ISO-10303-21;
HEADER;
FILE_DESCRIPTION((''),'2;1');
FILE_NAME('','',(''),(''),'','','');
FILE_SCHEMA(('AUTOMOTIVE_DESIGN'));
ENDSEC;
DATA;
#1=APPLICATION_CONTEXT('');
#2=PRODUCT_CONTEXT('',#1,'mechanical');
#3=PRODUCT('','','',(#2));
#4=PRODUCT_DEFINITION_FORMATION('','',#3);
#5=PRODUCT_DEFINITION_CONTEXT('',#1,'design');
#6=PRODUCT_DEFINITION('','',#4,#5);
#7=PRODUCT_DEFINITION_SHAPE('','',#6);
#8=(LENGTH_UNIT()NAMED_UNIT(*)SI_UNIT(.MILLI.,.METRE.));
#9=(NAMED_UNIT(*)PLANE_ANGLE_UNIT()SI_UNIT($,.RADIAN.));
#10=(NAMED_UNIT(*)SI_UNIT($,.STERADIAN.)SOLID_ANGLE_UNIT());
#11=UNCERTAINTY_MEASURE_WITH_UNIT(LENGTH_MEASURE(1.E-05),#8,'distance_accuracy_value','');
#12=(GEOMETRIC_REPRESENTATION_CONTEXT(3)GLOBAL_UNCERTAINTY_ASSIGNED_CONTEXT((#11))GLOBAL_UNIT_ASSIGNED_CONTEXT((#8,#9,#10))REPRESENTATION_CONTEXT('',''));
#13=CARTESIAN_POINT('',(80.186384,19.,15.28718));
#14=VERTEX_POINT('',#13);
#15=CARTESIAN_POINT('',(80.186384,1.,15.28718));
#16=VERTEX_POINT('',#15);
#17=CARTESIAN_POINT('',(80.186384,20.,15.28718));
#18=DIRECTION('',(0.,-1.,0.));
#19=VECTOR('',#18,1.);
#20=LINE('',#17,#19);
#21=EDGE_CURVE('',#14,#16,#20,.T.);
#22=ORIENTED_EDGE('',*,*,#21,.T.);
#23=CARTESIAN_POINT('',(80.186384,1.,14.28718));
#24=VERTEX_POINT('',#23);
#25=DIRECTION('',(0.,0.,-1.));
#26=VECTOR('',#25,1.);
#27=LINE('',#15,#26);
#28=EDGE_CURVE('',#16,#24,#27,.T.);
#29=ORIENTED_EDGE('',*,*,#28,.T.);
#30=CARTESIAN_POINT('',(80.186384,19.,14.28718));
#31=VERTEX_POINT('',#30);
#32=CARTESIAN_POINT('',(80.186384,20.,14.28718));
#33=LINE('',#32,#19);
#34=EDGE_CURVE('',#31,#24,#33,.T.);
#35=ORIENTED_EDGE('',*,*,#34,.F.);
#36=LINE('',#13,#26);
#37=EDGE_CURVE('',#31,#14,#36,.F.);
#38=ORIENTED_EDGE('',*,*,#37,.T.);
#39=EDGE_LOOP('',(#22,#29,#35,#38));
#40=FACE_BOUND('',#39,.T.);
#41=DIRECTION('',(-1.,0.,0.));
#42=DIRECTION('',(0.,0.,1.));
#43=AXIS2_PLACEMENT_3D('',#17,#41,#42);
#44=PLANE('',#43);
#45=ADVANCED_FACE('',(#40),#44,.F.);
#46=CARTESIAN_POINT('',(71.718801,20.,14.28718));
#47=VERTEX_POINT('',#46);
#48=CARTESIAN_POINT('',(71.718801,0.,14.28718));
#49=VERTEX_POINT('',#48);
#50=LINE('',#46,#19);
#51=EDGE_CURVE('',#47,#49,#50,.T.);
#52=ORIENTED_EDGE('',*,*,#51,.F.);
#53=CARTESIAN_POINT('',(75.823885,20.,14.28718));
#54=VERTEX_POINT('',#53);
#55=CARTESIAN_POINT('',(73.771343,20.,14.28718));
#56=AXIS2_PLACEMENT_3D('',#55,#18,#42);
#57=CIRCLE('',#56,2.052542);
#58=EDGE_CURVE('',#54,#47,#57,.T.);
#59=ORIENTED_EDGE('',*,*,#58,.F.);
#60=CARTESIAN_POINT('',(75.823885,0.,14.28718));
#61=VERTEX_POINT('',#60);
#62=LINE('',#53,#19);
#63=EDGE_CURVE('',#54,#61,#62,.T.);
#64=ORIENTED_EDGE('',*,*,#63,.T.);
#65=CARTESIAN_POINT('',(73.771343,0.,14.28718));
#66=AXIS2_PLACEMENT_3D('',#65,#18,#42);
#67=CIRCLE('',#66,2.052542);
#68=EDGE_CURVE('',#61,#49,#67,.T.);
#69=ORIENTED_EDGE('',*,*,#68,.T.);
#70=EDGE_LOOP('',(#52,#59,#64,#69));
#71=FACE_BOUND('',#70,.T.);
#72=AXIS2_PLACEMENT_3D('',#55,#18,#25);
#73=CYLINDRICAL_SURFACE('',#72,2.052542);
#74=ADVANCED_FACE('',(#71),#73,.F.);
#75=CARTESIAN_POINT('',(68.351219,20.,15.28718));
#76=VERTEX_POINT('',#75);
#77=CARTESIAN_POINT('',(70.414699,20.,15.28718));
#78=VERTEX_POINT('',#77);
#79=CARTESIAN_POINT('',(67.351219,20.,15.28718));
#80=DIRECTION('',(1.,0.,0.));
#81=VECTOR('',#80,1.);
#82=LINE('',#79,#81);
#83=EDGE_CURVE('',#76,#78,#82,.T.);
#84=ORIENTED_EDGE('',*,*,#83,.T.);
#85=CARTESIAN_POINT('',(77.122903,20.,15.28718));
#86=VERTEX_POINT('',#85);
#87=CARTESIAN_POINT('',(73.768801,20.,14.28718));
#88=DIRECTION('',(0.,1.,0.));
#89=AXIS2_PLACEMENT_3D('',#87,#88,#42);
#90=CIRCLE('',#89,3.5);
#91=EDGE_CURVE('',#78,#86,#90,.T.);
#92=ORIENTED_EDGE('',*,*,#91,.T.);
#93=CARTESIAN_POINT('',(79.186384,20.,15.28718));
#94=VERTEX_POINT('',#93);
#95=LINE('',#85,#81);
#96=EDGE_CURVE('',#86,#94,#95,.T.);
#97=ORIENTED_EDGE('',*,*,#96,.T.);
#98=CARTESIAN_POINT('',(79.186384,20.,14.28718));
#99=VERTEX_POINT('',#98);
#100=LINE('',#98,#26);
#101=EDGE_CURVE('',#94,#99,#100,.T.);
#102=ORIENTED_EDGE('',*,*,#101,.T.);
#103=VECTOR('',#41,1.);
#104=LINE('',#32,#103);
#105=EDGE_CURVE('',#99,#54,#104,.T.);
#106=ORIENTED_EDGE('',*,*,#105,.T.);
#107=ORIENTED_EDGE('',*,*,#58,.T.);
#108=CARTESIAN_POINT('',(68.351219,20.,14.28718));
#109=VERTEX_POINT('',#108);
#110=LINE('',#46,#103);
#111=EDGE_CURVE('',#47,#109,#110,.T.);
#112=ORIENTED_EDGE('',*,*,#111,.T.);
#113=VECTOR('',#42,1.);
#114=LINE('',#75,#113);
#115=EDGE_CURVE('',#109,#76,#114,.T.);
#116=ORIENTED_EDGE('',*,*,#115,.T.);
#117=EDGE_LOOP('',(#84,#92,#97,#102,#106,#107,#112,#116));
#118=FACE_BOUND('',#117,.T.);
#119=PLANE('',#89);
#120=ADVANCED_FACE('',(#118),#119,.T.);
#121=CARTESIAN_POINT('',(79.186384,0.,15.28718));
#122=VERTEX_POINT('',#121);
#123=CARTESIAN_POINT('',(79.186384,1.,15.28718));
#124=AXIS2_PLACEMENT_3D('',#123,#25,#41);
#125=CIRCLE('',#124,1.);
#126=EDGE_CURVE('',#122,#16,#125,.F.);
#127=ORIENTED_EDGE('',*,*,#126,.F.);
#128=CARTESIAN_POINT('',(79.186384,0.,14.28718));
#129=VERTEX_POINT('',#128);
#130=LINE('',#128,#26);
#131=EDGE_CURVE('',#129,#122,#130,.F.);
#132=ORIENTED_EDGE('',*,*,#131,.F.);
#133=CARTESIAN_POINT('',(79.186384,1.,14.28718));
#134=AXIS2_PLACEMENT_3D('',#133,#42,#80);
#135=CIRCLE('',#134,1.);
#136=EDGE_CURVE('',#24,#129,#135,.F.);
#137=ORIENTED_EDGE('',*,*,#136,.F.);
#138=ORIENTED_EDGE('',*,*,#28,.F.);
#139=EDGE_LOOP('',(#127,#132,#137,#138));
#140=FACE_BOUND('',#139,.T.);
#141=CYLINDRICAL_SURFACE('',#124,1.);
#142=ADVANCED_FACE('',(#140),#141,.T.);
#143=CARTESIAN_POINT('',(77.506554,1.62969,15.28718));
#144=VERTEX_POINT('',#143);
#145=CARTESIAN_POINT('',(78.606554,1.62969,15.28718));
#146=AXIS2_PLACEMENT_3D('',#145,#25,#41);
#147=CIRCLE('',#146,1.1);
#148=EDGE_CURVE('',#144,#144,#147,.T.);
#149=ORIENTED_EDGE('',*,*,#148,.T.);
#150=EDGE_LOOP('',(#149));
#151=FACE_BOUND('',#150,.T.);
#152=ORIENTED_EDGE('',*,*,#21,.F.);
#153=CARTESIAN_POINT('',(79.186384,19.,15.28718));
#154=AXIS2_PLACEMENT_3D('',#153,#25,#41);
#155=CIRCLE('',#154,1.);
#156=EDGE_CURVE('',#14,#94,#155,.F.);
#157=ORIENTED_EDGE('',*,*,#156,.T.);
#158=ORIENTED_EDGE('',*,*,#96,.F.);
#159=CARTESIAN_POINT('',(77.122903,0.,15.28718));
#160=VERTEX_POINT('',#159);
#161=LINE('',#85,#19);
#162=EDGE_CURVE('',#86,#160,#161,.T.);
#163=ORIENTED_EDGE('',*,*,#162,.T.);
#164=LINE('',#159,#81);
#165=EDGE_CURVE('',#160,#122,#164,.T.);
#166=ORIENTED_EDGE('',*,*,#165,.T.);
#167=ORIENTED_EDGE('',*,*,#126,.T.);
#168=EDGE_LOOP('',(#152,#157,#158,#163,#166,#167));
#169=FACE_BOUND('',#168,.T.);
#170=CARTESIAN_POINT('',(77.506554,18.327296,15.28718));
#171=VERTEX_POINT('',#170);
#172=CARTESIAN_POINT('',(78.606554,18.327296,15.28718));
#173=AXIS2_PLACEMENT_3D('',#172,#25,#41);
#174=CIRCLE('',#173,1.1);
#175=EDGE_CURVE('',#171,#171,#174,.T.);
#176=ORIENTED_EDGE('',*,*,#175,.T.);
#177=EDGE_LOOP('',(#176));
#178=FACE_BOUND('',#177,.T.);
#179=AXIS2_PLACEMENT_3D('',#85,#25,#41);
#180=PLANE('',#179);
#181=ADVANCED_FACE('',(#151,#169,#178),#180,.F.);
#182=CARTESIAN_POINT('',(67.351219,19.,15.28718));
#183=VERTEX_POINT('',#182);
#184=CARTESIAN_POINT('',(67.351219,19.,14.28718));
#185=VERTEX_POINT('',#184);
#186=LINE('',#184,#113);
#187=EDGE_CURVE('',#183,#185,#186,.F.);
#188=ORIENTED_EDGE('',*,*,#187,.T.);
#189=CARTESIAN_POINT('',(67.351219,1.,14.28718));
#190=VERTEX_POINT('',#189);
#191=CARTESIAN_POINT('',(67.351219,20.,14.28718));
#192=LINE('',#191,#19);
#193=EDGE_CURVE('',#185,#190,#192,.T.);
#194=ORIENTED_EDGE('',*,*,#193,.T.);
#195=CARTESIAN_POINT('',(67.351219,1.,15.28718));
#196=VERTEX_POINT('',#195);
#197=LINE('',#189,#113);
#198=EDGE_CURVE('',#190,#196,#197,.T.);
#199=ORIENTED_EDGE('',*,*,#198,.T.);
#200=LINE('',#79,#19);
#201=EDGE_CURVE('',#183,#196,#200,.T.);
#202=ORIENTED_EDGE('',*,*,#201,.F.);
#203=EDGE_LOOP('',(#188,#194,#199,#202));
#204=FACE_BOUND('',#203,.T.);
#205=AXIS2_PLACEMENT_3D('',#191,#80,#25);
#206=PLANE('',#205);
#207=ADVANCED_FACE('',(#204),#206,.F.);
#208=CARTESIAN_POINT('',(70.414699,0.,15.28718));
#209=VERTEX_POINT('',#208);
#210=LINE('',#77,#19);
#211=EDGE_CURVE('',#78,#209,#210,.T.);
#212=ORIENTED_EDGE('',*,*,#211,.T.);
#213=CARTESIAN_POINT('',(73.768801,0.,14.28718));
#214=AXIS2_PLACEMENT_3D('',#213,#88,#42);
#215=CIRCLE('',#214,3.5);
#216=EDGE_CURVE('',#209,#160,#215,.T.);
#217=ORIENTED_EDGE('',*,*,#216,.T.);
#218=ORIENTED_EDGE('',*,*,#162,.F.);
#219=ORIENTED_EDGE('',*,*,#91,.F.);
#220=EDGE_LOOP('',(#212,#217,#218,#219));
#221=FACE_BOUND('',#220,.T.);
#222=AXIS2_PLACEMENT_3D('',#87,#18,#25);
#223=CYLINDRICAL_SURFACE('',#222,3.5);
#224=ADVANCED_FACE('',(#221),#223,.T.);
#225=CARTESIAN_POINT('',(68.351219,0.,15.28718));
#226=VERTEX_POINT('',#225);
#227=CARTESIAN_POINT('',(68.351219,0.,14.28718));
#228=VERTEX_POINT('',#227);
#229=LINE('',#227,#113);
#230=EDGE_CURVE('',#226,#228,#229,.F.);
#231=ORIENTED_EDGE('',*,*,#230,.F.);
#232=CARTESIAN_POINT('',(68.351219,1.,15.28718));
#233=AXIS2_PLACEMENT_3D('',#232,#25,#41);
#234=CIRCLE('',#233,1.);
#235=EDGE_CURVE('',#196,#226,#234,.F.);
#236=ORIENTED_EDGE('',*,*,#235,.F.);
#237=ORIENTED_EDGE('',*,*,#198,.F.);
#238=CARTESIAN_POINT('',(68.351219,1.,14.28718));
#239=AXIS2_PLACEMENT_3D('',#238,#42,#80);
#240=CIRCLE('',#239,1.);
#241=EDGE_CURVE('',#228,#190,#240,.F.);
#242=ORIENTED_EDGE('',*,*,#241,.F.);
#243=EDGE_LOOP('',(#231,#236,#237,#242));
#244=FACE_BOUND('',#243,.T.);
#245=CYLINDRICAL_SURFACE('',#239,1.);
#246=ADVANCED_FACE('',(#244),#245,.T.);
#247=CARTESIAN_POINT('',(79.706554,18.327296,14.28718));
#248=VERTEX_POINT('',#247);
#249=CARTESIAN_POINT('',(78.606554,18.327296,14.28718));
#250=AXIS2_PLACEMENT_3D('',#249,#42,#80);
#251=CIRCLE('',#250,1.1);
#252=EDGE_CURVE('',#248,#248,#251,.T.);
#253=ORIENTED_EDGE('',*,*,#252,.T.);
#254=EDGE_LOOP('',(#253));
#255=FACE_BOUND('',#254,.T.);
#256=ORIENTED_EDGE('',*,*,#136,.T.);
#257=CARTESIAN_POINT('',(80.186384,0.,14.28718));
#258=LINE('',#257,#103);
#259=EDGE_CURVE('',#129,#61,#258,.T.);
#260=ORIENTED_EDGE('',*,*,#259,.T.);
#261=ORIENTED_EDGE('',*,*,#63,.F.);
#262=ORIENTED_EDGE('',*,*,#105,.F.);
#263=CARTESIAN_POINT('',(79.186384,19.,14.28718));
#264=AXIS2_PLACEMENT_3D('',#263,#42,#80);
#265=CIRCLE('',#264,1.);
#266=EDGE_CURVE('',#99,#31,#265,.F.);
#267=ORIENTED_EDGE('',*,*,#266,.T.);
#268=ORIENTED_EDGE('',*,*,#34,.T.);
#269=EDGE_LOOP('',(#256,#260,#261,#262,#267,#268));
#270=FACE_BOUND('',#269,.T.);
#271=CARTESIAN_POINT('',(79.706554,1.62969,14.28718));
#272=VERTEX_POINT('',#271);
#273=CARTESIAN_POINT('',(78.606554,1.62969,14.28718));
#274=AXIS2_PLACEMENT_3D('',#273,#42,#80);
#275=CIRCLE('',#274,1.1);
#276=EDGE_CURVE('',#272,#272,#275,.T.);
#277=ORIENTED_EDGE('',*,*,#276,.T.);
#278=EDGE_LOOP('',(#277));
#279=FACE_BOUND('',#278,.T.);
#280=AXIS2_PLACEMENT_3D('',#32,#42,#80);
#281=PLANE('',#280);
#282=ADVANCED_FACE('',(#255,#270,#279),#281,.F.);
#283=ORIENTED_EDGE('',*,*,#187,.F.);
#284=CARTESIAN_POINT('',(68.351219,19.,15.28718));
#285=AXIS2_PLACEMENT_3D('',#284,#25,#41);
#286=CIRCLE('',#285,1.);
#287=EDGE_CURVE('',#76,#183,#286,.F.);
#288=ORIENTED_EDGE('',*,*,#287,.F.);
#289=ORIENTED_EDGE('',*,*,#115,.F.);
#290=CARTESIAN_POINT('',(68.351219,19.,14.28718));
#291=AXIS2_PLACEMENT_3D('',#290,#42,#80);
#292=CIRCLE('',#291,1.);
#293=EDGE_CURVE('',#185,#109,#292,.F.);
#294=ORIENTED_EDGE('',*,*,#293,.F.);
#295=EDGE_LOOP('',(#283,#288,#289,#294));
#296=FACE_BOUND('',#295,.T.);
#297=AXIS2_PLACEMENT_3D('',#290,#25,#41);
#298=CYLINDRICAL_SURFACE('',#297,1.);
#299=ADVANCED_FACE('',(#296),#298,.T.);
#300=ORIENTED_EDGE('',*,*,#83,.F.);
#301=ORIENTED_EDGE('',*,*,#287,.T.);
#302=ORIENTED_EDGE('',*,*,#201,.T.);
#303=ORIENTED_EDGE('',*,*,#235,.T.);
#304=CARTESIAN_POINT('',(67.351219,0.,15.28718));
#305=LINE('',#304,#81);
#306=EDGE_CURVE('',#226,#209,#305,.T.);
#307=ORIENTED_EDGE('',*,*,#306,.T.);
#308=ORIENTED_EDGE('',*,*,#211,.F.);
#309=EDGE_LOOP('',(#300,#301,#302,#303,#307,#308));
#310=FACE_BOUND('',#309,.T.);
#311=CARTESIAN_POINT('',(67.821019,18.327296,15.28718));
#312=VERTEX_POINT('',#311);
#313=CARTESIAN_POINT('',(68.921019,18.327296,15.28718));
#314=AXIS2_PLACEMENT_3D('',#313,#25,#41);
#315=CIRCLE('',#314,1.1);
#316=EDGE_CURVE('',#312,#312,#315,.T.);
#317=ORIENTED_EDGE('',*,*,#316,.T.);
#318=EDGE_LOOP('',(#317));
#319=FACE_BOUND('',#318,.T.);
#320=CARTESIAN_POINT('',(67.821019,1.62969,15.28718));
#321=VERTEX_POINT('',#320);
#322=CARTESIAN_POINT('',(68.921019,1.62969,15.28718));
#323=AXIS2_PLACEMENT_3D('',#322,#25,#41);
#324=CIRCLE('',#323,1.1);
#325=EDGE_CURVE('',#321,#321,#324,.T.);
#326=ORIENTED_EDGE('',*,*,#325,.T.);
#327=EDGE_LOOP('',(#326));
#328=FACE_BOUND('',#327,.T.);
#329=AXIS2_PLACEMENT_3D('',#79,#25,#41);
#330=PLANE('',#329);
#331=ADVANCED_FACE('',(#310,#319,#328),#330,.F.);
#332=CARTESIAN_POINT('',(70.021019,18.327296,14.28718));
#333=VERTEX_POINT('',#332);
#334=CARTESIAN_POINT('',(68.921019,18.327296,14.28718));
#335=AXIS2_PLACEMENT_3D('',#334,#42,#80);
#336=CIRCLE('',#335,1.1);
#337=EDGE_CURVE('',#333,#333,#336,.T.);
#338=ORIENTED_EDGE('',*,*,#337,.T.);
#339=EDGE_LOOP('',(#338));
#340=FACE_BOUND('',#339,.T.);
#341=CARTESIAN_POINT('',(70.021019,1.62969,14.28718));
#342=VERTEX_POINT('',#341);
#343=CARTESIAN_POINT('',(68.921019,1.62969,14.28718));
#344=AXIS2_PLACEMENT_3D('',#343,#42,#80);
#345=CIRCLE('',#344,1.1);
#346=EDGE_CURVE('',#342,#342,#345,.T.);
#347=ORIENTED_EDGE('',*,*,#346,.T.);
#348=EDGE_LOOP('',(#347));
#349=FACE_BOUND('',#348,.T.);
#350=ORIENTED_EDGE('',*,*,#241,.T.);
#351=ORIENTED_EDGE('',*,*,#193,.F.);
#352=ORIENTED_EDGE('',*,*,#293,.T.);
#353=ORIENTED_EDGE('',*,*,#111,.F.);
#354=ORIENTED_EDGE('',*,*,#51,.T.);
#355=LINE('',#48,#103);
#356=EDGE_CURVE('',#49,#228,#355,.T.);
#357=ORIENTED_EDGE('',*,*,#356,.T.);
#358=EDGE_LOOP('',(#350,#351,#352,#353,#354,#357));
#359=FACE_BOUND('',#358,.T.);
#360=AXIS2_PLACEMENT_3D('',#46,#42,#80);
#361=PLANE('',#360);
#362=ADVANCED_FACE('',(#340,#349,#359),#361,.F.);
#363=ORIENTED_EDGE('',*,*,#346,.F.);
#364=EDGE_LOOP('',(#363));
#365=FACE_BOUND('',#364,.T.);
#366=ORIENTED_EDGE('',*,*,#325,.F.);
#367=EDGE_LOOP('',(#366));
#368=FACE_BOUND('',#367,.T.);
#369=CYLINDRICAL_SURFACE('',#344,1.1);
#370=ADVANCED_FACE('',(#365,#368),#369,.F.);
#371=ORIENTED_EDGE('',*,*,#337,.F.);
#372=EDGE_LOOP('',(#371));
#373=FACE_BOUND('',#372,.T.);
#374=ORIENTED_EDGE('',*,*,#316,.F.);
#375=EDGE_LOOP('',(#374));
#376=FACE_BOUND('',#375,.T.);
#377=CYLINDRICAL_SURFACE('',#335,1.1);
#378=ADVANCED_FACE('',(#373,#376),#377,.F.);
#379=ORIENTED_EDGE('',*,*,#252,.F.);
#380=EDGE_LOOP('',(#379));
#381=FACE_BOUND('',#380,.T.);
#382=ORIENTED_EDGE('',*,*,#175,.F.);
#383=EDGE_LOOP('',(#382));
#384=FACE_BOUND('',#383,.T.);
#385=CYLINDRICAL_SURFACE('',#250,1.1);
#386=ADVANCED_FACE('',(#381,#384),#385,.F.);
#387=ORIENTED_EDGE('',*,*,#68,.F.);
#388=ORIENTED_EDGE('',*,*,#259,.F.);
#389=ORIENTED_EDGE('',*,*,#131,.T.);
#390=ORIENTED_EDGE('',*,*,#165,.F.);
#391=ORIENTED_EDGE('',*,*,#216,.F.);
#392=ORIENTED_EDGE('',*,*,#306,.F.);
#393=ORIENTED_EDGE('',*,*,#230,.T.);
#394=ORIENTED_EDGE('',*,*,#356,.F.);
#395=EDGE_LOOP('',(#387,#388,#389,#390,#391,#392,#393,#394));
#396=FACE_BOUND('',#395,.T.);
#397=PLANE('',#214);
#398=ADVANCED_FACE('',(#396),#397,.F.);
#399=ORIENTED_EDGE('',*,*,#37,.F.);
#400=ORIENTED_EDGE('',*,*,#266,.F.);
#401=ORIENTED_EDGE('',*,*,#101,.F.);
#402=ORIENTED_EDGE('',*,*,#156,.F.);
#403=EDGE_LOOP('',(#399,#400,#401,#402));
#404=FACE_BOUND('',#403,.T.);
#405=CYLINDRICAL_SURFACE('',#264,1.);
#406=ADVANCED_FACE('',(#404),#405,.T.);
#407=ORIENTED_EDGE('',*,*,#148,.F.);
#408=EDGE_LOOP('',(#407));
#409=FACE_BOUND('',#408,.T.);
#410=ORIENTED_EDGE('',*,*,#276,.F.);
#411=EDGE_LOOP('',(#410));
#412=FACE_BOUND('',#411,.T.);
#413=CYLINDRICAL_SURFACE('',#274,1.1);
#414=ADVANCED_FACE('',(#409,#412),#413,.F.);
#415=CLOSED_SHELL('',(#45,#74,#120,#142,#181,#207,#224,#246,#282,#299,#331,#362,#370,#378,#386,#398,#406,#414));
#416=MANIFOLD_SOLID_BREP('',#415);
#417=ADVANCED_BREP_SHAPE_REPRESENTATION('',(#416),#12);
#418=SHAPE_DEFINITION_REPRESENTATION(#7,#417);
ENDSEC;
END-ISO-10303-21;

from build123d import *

# Parameters (mm, degrees)
EXTRUDE_1_DEPTH          = 20
CUT_EXTRUDE_1_DEPTH      = 83.680748207
CUT_EXTRUDE_1_DEPTH_BACK = 83.680748207
SKETCH_2_R               = 1.1
FILLET_1_R               = 1


with BuildPart() as part:
    # 草图1 → 凸台-拉伸1 (new body)
    with BuildSketch(Plane(origin=(0, 0, 0), x_dir=(1, 0, 0), z_dir=(0, 1, 0))):
        with BuildLine():
            Line((67.351218567, -14.287180049), (67.351218567, -15.287180049))
            Line((67.351218567, -15.287180049), (70.414699146, -15.287180049))
            ThreePointArc((70.414699146, -15.287180049), (73.768801112, -17.787180049), (77.122903079, -15.287180049))
            Line((77.122903079, -15.287180049), (80.186383657, -15.287180049))
            Line((80.186383657, -15.287180049), (80.186383657, -14.287180049))
            Line((80.186383657, -14.287180049), (75.823885018, -14.287180049))
            ThreePointArc((75.823885018, -14.287180049), (73.771343065, -16.339722002), (71.718801112, -14.287180049))
            Line((71.718801112, -14.287180049), (67.351218567, -14.287180049))
        make_face()
    extrude(amount=EXTRUDE_1_DEPTH)

    # 草图2 → 切除-拉伸1 (cut, two sides: drawn at the far end of the back side and taken through both)
    with BuildSketch(Plane.XY.offset(15.287180049).offset(-CUT_EXTRUDE_1_DEPTH_BACK)):
        with Locations((68.921019173, 18.327295742)):
            Circle(SKETCH_2_R)
        with Locations((68.921019173, 1.629689565)):
            Circle(SKETCH_2_R)
        with Locations((78.60655426, 18.327295742)):
            Circle(SKETCH_2_R)
        with Locations((78.60655426, 1.629689565)):
            Circle(SKETCH_2_R)
    extrude(amount=CUT_EXTRUDE_1_DEPTH + CUT_EXTRUDE_1_DEPTH_BACK, mode=Mode.SUBTRACT)

    # 圆角1
    fillet_1_edges = [part.edges().sort_by_distance(p)[0] for p in [
        (80.186383657, 20, 14.787180049),
        (67.351218567, 20, 14.787180049),
        (67.351218567, 0, 14.787180049),
        (80.186383657, 0, 14.787180049),
    ]]
    fillet(fillet_1_edges, radius=FILLET_1_R)


solid = part.part
